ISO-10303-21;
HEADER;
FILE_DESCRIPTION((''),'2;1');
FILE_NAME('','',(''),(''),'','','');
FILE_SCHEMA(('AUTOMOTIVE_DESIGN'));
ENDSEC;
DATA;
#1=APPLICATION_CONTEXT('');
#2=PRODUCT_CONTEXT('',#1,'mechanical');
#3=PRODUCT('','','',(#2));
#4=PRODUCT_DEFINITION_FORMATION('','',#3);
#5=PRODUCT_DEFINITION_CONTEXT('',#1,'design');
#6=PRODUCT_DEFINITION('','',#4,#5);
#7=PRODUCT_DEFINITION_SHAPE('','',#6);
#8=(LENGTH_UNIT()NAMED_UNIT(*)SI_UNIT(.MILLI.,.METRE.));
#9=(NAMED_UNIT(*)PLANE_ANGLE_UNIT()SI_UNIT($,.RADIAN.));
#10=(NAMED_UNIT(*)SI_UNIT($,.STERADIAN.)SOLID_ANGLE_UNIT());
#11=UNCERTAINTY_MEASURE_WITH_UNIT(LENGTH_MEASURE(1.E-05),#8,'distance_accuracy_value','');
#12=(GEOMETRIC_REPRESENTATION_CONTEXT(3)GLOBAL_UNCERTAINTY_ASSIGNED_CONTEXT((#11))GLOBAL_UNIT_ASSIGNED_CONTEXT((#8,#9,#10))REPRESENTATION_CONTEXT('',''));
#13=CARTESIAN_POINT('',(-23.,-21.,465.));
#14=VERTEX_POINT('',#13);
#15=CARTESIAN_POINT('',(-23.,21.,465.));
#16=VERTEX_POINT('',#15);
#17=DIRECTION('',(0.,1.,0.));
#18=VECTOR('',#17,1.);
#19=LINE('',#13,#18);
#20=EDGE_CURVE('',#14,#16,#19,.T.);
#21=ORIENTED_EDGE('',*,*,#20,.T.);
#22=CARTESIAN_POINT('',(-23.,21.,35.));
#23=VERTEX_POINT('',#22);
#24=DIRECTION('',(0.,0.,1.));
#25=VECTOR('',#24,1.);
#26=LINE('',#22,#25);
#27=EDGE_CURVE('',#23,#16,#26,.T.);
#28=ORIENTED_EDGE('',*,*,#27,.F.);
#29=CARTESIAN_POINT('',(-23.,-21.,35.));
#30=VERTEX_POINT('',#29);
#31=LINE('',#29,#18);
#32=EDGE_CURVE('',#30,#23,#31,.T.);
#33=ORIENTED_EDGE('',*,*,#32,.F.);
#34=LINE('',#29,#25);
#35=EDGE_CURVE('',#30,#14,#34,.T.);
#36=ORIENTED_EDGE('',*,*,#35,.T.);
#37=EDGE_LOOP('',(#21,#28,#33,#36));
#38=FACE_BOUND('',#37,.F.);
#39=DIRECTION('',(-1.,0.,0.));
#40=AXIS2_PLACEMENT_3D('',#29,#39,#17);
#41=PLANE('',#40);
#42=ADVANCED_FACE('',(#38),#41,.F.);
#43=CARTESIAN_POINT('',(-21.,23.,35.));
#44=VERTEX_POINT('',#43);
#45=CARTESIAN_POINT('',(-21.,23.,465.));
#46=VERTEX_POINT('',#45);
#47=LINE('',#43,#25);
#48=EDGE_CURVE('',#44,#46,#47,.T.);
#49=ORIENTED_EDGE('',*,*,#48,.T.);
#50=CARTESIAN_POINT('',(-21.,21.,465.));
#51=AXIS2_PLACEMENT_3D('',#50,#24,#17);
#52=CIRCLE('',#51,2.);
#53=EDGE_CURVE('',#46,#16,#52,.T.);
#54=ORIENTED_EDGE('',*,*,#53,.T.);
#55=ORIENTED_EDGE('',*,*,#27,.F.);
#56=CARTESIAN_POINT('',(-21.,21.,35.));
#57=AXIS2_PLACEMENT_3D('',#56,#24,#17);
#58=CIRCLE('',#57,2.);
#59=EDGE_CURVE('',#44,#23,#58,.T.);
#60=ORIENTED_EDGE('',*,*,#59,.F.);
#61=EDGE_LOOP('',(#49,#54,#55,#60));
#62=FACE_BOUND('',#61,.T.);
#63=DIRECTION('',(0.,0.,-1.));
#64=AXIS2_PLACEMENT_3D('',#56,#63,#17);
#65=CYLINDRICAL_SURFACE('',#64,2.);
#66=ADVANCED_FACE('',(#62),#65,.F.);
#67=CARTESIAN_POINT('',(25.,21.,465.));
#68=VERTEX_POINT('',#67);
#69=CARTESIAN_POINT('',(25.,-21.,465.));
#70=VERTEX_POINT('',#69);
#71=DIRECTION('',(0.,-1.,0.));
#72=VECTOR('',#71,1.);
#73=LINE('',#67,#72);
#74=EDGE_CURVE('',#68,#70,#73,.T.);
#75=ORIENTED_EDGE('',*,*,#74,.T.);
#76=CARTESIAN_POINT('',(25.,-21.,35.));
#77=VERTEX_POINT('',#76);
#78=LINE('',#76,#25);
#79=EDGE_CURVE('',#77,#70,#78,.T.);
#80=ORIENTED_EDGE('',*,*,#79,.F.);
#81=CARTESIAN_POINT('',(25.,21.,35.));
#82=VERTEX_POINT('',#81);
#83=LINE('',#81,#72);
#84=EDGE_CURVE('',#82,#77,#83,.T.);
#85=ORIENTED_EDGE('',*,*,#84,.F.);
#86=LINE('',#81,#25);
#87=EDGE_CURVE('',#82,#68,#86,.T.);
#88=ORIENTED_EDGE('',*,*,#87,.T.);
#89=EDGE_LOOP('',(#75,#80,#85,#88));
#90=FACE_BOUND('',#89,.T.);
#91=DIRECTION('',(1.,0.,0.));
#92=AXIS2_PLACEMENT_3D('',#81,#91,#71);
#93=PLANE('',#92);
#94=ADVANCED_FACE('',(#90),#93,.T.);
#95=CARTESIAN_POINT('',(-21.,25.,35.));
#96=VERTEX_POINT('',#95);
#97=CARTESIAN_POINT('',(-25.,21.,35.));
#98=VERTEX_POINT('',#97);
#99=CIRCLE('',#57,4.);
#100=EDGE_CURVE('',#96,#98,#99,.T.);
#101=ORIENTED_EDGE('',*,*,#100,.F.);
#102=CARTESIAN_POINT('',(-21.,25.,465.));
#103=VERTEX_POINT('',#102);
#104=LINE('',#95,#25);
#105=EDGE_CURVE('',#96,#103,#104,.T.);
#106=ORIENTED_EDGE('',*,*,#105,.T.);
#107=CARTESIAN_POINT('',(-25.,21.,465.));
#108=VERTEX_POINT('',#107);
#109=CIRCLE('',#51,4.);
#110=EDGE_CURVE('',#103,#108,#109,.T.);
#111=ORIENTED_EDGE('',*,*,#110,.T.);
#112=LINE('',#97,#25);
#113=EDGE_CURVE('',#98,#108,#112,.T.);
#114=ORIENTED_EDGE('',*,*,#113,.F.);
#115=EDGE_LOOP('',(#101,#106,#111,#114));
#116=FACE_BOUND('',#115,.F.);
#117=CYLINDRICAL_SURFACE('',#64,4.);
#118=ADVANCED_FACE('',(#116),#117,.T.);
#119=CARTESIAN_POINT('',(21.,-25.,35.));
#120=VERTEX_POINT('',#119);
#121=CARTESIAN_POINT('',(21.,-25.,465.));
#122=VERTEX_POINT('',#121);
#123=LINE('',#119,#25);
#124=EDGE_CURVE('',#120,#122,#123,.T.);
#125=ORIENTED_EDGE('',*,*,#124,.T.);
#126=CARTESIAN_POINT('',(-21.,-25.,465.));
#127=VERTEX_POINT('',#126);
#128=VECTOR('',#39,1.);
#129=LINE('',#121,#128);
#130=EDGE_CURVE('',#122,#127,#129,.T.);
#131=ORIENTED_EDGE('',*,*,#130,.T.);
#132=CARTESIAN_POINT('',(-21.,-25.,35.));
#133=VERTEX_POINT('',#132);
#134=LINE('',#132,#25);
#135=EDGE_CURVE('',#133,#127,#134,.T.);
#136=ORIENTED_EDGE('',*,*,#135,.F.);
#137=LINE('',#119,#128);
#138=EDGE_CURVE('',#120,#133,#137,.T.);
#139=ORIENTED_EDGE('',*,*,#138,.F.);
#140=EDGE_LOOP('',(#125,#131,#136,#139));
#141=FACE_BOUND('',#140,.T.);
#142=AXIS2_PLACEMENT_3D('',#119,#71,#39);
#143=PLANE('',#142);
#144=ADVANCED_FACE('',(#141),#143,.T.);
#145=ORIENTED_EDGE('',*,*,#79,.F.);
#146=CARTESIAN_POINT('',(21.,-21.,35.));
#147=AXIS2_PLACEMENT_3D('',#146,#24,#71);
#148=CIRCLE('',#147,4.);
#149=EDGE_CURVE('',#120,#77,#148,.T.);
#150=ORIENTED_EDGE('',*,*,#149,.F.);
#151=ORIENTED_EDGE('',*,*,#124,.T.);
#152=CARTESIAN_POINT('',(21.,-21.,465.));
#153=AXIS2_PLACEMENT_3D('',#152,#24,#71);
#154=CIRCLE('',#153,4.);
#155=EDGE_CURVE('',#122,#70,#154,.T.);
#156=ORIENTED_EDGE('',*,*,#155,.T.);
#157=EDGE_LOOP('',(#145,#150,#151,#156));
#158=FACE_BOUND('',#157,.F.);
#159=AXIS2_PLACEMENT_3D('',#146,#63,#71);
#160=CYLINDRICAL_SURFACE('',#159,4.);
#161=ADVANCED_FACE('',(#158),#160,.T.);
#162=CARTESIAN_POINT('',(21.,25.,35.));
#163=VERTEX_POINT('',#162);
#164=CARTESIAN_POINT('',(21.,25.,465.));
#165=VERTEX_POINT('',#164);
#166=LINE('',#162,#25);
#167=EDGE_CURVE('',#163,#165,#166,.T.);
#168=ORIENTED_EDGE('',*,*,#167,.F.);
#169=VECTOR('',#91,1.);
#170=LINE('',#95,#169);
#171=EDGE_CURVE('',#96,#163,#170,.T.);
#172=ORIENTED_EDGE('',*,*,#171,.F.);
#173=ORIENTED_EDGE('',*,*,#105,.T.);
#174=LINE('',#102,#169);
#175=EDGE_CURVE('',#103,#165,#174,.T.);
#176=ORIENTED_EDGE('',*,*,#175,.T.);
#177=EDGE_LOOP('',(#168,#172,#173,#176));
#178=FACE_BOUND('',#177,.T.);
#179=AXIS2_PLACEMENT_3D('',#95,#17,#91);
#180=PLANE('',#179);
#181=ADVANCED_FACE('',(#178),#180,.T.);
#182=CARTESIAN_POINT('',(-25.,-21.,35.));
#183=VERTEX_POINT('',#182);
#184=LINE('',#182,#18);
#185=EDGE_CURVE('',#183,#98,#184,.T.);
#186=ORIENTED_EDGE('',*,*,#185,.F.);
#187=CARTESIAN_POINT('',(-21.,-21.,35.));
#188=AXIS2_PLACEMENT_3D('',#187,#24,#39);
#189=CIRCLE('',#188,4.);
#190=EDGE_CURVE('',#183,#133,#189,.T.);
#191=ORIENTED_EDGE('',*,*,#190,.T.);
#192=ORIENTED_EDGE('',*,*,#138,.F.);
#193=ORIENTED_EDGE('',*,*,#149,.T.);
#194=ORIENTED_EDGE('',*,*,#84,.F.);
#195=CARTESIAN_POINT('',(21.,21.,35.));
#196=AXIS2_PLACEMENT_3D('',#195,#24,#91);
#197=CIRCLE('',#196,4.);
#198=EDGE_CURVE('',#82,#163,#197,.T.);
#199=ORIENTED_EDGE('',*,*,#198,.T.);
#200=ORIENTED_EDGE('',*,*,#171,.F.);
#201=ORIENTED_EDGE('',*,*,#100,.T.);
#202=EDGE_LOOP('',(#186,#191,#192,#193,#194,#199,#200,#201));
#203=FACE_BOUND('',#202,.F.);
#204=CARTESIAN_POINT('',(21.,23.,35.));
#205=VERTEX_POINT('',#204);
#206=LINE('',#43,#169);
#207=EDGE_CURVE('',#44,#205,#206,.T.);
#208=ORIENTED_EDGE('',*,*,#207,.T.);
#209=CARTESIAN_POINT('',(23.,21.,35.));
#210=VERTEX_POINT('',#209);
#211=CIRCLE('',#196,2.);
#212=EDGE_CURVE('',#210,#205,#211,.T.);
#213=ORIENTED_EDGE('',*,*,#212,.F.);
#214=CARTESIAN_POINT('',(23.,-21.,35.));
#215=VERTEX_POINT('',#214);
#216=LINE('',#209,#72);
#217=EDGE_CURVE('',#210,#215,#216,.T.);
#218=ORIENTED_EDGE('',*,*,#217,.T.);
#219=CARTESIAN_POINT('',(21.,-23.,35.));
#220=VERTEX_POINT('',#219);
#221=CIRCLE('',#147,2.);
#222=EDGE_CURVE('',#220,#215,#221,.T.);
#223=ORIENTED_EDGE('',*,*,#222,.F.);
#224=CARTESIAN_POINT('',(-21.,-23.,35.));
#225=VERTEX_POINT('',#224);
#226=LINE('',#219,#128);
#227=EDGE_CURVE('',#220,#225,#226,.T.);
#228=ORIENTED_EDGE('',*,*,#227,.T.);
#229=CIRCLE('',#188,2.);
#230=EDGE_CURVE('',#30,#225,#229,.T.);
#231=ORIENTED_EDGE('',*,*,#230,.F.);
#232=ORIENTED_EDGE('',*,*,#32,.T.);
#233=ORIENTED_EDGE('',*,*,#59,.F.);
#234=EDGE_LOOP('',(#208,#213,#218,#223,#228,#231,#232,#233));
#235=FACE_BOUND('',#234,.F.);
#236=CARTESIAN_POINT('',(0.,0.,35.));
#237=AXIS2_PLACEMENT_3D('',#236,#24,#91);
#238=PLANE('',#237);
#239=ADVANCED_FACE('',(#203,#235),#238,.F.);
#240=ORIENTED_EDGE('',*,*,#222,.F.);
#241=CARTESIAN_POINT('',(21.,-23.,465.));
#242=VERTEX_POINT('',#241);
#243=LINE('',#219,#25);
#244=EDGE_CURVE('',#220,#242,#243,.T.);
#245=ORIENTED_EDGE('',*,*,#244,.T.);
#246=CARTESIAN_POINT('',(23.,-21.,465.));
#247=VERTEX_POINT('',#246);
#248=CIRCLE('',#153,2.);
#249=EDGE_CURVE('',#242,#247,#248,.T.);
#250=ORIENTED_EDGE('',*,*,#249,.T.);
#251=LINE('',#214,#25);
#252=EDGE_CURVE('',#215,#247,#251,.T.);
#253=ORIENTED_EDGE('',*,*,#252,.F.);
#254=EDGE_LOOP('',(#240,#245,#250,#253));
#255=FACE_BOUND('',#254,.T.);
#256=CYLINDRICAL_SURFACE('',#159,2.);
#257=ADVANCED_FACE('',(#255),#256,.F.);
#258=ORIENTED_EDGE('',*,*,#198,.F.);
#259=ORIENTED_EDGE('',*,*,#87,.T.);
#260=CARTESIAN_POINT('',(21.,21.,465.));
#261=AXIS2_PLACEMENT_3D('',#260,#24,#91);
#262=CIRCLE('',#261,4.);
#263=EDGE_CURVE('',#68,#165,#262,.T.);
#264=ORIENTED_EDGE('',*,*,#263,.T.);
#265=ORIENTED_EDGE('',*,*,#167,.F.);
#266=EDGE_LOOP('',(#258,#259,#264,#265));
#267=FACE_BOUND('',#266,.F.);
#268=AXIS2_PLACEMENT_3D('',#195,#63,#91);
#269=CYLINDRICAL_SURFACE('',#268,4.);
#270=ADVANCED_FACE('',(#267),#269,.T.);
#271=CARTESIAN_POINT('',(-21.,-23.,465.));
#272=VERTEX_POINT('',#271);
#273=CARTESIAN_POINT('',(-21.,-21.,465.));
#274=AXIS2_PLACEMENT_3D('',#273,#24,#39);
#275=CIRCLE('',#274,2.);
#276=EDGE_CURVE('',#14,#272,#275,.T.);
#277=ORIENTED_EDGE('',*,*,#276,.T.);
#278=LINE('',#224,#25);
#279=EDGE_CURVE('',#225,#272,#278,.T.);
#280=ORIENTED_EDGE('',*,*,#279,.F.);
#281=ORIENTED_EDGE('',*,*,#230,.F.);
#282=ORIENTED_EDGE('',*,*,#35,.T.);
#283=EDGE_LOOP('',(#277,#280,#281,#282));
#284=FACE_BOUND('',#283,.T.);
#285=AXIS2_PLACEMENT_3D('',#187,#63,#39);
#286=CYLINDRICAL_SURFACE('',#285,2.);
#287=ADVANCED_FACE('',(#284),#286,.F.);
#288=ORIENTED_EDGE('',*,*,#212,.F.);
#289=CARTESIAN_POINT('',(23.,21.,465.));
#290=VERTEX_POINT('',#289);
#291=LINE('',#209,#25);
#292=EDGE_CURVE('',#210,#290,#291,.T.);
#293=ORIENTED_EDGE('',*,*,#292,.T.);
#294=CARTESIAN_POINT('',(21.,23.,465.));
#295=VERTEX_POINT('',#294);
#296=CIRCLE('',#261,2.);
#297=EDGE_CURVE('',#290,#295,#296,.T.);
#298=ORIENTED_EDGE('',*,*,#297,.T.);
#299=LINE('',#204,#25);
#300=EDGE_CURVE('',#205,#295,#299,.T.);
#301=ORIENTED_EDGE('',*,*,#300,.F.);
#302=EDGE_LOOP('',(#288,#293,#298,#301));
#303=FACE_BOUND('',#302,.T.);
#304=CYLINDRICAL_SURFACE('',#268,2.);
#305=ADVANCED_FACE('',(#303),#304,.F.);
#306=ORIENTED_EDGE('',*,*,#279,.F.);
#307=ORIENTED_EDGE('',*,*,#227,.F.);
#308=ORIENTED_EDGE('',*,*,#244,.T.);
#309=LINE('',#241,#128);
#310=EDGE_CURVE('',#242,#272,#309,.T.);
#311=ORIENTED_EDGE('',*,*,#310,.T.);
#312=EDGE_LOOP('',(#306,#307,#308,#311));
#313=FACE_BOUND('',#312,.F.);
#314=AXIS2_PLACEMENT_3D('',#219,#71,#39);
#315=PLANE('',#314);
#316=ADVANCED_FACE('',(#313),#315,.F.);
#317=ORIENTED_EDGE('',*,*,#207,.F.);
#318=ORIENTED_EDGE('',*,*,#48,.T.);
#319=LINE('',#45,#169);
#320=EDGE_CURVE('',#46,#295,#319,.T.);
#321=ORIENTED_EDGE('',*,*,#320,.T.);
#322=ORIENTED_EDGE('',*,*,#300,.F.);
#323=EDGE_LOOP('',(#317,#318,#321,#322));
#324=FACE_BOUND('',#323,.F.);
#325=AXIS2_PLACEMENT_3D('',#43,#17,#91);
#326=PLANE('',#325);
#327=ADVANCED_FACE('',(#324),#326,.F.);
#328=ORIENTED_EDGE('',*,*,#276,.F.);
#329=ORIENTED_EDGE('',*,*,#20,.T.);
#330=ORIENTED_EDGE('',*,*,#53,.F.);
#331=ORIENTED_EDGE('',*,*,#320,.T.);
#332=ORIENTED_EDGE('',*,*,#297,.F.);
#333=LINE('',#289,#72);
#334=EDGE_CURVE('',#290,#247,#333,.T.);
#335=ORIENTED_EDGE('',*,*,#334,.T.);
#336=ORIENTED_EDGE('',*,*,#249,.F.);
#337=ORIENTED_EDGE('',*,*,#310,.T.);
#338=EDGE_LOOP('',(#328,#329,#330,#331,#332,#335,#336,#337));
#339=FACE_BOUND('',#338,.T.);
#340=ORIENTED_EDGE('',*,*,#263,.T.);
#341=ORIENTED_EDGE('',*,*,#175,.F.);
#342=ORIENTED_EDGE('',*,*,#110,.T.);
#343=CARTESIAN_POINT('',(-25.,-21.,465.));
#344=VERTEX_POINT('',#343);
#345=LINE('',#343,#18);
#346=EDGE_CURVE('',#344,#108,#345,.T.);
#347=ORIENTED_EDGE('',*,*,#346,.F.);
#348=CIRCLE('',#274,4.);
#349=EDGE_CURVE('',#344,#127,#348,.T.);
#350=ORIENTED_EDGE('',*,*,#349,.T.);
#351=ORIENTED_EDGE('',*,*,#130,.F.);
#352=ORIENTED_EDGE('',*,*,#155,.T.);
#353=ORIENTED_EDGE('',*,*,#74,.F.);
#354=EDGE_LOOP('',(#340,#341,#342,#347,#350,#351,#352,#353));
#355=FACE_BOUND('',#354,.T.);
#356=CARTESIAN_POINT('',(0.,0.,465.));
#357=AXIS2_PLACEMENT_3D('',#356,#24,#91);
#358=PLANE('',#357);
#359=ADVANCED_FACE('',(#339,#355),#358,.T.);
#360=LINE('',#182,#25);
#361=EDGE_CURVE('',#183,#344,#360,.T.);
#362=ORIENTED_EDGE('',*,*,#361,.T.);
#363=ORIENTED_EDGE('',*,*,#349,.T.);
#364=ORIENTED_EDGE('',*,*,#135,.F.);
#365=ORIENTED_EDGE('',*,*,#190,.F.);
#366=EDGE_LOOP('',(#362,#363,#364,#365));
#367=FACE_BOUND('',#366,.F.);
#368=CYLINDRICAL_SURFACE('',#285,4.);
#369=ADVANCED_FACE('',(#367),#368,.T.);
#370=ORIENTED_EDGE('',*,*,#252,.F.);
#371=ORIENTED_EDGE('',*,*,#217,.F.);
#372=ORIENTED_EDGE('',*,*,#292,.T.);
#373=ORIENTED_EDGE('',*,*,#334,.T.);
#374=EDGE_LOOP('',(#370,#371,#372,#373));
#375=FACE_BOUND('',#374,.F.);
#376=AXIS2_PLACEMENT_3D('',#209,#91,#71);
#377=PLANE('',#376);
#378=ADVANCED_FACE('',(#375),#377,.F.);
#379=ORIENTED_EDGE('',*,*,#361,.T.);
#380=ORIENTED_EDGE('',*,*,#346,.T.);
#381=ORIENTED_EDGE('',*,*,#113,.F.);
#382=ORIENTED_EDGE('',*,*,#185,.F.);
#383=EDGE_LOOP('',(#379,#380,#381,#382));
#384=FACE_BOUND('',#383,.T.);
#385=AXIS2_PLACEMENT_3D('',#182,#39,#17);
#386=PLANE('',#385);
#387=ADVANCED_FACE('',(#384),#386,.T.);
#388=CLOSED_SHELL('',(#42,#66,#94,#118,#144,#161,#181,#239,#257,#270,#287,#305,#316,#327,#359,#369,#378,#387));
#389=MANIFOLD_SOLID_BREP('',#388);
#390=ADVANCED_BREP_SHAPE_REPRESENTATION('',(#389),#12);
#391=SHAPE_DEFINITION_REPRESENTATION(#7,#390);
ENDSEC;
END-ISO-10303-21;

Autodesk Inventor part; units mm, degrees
ref_plane "Plano inicial" through (0, 0, 35) normal (0, 0, 1) x (1, 0, 0)
ref_plane "Plano final" through (0, 0, 465) normal (0, 0, 1) x (1, 0, 0)
sketch "Boceto" plane through (0, 0, 0) normal (0, 0, 1) x (1, 0, 0)
  line L0 (-25, -21) -> (-25, 21)
  line L1 (-21, 25) -> (21, 25)
  line L2 (25, 21) -> (25, -21)
  line L3 (21, -25) -> (-21, -25)
  arc A0 (-25, -21) -> (-21, -25) centre (-21, -21) ccw
  arc A1 (25, 21) -> (21, 25) centre (21, 21) ccw
  arc A2 (-21, 25) -> (-25, 21) centre (-21, 21) ccw
  arc A3 (21, -25) -> (25, -21) centre (21, -21) ccw
  arc A4 (-21, 23) -> (-23, 21) centre (-21, 21) ccw
  line L4 (-21, 23) -> (21, 23)
  arc A5 (23, 21) -> (21, 23) centre (21, 21) ccw
  line L5 (23, 21) -> (23, -21)
  arc A6 (21, -23) -> (23, -21) centre (21, -21) ccw
  line L6 (21, -23) -> (-21, -23)
  arc A7 (-23, -21) -> (-21, -23) centre (-21, -21) ccw
  line L7 (-23, -21) -> (-23, 21)
  line L8 (0, 36.1598) -> (0, -36.1598) construction
  line L9 (-36.1598, 0) -> (36.1598, 0) construction
  dimension "d7" = 4
  dimension "d9" = 50
  dimension "d11" = 50
  dimension "d12" = 2
  dimension "d15" = 25
  dimension "d16" = 25
extrude "Cuerpo" add sketch "Boceto" along normal up to surface (430 mm away) from surface at 35
sketch "Sketch3" plane through (0, 0, 0) normal (0, 0, 1) x (1, 0, 0)
  line L0 (0, 0) -> (10, 0)
ref_plane "Work Plane3" through (0, 0, 0) normal (0, -1, 0) x (1, 0, 0)
sketch "Sketch4" plane through (0, 0, 0) normal (0, -1, 0) x (1, 0, 0)
  line L0 (-2, 35) -> (12, 35)
  line L1 (-2, 465) -> (12, 465)
  dimension "d18" = 430
ref_plane "Plano de trabajo4" through (535, 29, 35) normal (0, 0, -1) x (-1, 0, 0)
split "Dividir1" plane through (535, 29, 35) removes the side toward (0, 0, -1)
ref_plane "Plano de trabajo5" through (535, -29, 465) normal (0, 0, 1) x (1, 0, 0)
split "Dividir2" plane through (535, -29, 465) removes the side toward (0, 0, 1)
equation "\"d7\" = G_IR"
equation "\"d9\" = G_W"
equation "\"d11\" = G_H"
equation "\"d12\" = G_T"
equation "\"d15\" = 0.5 * d9"
equation "\"d16\" = 0.5 * d11"
equation "\"d3\" = G_L"
equation "\"G_W\" = 50"
equation "\"G_H\" = 50"
equation "\"G_T\" = 2"
equation "\"G_IR\" = 4"
equation "\"G_L\" = d18"
equation "\"G_OFFSET_START\" = -35"
equation "\"G_OFFSET_END\" = -35"
equation "\"d13\" = -G_OFFSET_START"
equation "\"d14\" = G_OFFSET_END + B_L"
equation "\"B_L\" = 500"
properties part number "ISO 10799-2 - 50x50x2 - 430" material "Galvanizado catalogo 1"
